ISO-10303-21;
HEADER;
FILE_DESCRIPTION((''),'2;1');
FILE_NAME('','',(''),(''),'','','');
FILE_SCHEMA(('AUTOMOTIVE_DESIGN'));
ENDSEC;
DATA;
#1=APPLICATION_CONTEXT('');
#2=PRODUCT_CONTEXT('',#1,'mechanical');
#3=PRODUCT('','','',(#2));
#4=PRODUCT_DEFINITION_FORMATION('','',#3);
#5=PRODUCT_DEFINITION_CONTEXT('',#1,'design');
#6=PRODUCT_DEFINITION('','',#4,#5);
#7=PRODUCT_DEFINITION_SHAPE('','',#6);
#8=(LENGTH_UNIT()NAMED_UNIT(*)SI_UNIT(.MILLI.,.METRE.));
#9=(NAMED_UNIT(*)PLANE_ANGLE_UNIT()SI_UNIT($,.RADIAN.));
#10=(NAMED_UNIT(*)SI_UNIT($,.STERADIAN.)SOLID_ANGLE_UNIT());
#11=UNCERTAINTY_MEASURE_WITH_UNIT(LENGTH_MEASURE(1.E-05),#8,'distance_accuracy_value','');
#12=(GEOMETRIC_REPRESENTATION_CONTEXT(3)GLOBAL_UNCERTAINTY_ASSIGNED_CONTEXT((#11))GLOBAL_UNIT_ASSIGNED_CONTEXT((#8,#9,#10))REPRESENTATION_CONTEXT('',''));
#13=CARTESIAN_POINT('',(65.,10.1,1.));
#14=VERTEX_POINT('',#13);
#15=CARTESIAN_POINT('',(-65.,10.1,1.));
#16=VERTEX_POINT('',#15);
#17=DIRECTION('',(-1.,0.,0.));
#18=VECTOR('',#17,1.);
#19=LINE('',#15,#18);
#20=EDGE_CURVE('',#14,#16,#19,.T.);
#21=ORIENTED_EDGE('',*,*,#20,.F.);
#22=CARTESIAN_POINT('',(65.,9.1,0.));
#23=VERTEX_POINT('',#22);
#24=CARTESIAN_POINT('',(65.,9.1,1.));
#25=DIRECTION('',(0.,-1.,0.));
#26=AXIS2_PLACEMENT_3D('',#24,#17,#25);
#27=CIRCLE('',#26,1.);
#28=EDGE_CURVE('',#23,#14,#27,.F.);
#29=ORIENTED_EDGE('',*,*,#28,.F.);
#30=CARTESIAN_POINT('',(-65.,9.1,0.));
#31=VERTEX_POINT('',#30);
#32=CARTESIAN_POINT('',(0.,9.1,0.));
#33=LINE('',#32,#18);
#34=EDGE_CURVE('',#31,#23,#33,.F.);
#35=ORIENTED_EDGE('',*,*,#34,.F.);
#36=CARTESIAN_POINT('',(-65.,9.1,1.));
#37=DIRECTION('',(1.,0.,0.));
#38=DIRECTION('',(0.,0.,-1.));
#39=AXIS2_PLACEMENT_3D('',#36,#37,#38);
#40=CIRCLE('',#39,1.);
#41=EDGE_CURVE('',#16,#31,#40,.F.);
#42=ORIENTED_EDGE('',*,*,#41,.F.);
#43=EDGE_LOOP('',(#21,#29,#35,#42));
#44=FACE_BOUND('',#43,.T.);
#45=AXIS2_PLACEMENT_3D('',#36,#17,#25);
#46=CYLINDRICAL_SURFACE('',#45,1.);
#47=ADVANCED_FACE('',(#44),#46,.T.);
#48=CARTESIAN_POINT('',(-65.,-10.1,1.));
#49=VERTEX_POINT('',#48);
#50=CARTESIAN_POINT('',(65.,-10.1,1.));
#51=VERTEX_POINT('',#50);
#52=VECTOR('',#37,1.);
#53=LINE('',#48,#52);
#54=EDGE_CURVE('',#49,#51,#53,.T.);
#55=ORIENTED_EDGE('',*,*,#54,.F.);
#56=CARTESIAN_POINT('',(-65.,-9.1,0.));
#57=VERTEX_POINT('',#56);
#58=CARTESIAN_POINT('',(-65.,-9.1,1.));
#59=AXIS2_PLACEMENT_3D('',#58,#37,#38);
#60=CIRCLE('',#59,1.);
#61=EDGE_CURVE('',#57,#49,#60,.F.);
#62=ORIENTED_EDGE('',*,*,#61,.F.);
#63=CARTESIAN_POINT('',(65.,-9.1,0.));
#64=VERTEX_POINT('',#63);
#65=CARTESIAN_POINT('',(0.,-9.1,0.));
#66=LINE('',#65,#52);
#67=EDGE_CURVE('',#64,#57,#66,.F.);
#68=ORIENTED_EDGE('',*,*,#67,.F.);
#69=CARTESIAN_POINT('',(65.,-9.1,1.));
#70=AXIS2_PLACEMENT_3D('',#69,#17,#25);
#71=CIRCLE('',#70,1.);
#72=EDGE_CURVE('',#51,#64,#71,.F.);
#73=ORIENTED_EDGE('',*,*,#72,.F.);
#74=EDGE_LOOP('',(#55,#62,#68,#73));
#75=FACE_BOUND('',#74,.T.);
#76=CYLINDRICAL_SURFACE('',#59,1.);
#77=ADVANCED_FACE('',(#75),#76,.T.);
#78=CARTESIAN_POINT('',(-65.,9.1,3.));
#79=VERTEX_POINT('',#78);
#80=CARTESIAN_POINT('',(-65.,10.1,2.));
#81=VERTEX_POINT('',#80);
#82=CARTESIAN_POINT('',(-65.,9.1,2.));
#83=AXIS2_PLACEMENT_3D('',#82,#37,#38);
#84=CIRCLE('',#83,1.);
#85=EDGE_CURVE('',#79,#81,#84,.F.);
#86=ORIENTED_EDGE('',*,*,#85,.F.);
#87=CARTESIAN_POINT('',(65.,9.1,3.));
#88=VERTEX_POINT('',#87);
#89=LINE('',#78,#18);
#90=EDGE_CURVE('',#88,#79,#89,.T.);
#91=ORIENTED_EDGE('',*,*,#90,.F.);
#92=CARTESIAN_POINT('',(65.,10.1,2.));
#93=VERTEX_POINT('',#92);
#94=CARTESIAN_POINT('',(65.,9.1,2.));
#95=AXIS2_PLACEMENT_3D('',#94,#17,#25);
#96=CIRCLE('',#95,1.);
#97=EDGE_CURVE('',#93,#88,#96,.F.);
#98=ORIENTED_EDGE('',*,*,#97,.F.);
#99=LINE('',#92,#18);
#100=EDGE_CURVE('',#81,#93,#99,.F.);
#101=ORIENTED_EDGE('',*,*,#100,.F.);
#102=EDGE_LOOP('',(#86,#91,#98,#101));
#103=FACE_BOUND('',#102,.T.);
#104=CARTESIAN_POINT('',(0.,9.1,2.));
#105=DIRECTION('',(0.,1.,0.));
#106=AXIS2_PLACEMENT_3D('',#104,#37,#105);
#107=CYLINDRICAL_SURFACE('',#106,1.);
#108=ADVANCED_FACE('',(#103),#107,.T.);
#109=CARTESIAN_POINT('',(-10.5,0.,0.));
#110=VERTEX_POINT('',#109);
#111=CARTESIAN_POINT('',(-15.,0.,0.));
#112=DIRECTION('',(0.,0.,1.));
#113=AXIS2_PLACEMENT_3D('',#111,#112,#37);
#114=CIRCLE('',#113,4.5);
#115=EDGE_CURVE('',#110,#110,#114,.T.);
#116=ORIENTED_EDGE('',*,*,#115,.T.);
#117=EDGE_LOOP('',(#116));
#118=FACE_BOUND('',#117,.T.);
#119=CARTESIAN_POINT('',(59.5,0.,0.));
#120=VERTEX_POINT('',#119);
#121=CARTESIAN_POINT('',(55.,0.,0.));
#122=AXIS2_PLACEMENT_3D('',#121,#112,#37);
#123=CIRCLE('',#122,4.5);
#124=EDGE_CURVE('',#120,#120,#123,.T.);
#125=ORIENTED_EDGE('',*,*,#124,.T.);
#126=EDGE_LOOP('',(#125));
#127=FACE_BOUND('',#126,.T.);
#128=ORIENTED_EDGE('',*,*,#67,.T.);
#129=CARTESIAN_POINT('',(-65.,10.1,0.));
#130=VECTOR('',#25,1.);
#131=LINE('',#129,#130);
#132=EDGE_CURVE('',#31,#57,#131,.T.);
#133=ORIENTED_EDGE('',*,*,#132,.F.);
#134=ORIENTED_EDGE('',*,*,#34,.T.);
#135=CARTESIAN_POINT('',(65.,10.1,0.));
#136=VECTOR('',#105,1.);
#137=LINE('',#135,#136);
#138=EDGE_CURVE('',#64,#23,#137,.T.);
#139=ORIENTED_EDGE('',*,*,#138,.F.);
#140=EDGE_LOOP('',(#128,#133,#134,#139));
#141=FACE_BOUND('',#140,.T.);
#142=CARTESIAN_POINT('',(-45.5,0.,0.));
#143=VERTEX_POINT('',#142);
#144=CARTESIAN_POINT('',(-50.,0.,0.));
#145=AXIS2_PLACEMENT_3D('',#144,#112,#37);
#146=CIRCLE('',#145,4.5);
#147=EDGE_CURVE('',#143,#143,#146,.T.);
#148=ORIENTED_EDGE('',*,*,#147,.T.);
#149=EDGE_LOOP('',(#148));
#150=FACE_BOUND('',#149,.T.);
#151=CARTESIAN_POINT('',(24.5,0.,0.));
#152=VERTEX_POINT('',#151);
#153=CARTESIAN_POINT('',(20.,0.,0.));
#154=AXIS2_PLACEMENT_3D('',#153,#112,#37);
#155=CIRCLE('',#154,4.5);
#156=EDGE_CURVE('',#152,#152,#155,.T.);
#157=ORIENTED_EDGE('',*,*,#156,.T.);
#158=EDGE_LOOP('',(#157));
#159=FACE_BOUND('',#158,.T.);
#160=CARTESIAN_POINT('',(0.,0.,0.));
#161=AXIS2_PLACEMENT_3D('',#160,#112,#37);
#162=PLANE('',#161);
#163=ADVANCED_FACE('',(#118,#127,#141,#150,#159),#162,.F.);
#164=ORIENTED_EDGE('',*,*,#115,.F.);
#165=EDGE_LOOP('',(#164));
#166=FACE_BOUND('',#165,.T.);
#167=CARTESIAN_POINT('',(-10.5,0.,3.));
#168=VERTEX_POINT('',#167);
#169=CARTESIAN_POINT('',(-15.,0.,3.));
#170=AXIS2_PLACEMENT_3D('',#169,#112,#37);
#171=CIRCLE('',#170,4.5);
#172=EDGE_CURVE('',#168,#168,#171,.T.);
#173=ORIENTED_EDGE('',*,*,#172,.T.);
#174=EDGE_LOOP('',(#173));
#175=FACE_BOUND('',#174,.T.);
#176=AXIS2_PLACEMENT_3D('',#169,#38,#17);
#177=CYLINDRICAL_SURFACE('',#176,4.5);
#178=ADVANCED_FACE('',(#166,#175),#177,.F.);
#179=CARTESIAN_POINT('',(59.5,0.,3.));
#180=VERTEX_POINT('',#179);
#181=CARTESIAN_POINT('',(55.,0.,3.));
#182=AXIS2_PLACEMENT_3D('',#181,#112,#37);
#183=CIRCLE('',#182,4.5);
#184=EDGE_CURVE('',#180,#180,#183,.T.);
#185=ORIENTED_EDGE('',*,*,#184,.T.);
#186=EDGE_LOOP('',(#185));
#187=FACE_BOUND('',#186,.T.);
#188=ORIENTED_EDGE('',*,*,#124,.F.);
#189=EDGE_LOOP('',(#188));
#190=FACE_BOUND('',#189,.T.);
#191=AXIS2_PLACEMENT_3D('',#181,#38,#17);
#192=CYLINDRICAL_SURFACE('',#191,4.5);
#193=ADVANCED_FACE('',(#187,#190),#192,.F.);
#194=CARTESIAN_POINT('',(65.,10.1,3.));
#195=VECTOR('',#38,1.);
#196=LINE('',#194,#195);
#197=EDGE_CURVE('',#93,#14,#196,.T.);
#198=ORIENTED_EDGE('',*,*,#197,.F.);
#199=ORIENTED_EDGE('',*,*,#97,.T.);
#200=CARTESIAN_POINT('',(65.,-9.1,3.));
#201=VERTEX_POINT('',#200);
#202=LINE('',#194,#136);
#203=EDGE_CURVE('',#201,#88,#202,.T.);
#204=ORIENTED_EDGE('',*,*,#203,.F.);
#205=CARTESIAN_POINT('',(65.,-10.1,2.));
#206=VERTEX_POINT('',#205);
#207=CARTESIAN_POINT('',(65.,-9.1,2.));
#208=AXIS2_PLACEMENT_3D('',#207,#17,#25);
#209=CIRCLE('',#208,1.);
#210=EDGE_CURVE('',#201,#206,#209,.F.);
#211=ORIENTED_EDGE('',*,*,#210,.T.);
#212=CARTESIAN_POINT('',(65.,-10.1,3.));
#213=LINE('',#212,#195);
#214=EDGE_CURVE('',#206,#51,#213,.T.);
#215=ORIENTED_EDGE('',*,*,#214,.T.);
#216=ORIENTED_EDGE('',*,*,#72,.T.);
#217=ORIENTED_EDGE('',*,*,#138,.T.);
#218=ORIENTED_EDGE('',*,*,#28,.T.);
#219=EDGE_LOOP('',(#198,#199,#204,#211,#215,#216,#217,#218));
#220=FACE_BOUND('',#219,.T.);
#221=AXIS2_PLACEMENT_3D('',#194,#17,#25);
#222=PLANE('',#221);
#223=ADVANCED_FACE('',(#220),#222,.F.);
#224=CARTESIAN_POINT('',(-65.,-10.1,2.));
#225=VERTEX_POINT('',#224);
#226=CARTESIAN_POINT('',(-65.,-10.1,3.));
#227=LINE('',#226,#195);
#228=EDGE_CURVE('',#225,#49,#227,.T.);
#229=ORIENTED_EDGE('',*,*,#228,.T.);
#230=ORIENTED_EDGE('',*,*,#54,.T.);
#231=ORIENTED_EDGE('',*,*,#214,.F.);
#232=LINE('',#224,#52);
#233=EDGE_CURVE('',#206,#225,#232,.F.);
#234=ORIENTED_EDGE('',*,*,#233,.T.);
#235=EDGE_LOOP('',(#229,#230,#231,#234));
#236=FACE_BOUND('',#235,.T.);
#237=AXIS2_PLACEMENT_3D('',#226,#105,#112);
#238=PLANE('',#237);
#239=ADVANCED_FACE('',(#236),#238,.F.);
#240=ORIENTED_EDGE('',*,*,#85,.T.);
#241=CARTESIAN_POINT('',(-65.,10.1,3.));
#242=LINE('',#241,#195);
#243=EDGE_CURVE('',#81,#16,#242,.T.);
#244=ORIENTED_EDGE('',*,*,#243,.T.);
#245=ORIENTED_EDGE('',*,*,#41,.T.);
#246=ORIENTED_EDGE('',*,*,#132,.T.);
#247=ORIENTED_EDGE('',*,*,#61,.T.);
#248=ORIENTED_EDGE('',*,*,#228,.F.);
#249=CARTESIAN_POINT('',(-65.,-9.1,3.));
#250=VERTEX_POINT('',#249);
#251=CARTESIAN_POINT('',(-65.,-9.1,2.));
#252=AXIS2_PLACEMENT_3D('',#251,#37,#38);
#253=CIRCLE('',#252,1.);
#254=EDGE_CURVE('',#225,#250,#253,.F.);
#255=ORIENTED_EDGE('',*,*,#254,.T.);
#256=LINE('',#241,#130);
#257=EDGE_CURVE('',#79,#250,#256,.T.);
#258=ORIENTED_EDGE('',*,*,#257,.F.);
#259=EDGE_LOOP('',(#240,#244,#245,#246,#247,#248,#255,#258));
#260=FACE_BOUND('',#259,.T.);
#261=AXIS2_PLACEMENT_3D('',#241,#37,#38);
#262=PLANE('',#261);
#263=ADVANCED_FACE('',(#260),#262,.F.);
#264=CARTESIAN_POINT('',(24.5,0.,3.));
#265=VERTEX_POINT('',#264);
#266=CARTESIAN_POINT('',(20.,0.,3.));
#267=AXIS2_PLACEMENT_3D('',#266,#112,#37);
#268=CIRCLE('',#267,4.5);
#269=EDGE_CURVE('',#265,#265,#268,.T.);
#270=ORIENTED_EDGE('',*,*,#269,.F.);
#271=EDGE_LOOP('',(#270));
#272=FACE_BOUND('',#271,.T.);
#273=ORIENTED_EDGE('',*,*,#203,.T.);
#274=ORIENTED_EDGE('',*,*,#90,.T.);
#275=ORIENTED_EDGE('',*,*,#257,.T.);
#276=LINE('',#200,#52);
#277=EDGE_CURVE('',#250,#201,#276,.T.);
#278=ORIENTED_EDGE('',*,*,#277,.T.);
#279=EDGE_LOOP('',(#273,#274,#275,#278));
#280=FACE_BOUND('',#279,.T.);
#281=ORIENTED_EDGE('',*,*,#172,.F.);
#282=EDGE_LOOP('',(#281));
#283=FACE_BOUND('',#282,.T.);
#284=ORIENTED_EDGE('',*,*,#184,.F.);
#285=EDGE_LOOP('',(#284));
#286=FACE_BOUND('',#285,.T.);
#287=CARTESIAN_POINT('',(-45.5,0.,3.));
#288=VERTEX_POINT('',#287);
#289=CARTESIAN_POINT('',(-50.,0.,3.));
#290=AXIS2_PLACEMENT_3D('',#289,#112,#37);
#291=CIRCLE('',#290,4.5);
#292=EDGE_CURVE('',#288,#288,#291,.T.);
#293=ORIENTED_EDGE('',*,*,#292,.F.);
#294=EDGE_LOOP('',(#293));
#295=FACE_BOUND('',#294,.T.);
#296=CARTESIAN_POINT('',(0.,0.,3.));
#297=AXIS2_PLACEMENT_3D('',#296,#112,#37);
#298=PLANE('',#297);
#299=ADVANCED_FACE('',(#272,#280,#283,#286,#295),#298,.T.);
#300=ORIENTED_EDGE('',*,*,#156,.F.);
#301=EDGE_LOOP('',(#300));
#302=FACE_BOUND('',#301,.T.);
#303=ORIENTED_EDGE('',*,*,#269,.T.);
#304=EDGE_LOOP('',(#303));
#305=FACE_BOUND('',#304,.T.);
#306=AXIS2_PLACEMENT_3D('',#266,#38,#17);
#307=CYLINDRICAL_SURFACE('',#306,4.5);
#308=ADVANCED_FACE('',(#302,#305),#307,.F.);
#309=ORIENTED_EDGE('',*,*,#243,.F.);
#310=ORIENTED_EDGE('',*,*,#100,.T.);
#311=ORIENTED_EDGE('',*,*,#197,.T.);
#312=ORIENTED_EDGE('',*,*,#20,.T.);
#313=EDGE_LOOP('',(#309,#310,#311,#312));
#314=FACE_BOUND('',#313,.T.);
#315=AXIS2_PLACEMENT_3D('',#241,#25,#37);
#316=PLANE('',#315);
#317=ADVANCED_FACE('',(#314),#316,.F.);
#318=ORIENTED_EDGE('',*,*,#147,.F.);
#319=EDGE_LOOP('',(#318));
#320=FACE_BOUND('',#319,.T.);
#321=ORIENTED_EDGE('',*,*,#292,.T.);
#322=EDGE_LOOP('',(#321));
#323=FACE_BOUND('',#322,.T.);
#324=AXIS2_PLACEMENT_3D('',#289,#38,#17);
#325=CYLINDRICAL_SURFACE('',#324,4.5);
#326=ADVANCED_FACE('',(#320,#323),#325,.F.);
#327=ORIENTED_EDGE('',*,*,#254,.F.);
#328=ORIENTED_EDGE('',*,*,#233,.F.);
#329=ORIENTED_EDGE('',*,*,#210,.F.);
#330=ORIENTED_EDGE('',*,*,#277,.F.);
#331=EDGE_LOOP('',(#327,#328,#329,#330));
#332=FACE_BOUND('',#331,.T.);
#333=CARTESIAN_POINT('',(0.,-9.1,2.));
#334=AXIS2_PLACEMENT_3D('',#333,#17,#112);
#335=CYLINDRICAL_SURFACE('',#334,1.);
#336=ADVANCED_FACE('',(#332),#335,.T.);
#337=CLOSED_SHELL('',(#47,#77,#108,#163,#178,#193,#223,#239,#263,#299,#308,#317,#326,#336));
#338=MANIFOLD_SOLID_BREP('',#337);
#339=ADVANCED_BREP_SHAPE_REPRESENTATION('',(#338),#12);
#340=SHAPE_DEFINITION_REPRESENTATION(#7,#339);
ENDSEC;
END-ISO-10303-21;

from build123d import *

# Parameters (mm, degrees)
SKETCH1_W           = 130
SKETCH1_H           = 20.2
SKETCH1_R           = 4.5
BOSS_EXTRUDE1_DEPTH = 3
FILLET1_R           = 1


with BuildPart() as part:
    # Sketch1 → Boss-Extrude1 (new body)
    with BuildSketch(Plane.XY):
        Rectangle(SKETCH1_W, SKETCH1_H)
        with Locations((-50, 0)):
            Circle(SKETCH1_R, mode=Mode.SUBTRACT)
        with Locations((-15, 0)):
            Circle(SKETCH1_R, mode=Mode.SUBTRACT)
        with Locations((20, 0)):
            Circle(SKETCH1_R, mode=Mode.SUBTRACT)
        with Locations((55, 0)):
            Circle(SKETCH1_R, mode=Mode.SUBTRACT)
    extrude(amount=BOSS_EXTRUDE1_DEPTH)

    # Fillet1
    fillet1_edges = [part.edges().sort_by_distance(p)[0] for p in [
        (0, -10.1, 3),
        (0, -10.1, 0),
        (0, 10.1, 0),
        (0, 10.1, 3),
    ]]
    fillet(fillet1_edges, radius=FILLET1_R)


solid = part.part
